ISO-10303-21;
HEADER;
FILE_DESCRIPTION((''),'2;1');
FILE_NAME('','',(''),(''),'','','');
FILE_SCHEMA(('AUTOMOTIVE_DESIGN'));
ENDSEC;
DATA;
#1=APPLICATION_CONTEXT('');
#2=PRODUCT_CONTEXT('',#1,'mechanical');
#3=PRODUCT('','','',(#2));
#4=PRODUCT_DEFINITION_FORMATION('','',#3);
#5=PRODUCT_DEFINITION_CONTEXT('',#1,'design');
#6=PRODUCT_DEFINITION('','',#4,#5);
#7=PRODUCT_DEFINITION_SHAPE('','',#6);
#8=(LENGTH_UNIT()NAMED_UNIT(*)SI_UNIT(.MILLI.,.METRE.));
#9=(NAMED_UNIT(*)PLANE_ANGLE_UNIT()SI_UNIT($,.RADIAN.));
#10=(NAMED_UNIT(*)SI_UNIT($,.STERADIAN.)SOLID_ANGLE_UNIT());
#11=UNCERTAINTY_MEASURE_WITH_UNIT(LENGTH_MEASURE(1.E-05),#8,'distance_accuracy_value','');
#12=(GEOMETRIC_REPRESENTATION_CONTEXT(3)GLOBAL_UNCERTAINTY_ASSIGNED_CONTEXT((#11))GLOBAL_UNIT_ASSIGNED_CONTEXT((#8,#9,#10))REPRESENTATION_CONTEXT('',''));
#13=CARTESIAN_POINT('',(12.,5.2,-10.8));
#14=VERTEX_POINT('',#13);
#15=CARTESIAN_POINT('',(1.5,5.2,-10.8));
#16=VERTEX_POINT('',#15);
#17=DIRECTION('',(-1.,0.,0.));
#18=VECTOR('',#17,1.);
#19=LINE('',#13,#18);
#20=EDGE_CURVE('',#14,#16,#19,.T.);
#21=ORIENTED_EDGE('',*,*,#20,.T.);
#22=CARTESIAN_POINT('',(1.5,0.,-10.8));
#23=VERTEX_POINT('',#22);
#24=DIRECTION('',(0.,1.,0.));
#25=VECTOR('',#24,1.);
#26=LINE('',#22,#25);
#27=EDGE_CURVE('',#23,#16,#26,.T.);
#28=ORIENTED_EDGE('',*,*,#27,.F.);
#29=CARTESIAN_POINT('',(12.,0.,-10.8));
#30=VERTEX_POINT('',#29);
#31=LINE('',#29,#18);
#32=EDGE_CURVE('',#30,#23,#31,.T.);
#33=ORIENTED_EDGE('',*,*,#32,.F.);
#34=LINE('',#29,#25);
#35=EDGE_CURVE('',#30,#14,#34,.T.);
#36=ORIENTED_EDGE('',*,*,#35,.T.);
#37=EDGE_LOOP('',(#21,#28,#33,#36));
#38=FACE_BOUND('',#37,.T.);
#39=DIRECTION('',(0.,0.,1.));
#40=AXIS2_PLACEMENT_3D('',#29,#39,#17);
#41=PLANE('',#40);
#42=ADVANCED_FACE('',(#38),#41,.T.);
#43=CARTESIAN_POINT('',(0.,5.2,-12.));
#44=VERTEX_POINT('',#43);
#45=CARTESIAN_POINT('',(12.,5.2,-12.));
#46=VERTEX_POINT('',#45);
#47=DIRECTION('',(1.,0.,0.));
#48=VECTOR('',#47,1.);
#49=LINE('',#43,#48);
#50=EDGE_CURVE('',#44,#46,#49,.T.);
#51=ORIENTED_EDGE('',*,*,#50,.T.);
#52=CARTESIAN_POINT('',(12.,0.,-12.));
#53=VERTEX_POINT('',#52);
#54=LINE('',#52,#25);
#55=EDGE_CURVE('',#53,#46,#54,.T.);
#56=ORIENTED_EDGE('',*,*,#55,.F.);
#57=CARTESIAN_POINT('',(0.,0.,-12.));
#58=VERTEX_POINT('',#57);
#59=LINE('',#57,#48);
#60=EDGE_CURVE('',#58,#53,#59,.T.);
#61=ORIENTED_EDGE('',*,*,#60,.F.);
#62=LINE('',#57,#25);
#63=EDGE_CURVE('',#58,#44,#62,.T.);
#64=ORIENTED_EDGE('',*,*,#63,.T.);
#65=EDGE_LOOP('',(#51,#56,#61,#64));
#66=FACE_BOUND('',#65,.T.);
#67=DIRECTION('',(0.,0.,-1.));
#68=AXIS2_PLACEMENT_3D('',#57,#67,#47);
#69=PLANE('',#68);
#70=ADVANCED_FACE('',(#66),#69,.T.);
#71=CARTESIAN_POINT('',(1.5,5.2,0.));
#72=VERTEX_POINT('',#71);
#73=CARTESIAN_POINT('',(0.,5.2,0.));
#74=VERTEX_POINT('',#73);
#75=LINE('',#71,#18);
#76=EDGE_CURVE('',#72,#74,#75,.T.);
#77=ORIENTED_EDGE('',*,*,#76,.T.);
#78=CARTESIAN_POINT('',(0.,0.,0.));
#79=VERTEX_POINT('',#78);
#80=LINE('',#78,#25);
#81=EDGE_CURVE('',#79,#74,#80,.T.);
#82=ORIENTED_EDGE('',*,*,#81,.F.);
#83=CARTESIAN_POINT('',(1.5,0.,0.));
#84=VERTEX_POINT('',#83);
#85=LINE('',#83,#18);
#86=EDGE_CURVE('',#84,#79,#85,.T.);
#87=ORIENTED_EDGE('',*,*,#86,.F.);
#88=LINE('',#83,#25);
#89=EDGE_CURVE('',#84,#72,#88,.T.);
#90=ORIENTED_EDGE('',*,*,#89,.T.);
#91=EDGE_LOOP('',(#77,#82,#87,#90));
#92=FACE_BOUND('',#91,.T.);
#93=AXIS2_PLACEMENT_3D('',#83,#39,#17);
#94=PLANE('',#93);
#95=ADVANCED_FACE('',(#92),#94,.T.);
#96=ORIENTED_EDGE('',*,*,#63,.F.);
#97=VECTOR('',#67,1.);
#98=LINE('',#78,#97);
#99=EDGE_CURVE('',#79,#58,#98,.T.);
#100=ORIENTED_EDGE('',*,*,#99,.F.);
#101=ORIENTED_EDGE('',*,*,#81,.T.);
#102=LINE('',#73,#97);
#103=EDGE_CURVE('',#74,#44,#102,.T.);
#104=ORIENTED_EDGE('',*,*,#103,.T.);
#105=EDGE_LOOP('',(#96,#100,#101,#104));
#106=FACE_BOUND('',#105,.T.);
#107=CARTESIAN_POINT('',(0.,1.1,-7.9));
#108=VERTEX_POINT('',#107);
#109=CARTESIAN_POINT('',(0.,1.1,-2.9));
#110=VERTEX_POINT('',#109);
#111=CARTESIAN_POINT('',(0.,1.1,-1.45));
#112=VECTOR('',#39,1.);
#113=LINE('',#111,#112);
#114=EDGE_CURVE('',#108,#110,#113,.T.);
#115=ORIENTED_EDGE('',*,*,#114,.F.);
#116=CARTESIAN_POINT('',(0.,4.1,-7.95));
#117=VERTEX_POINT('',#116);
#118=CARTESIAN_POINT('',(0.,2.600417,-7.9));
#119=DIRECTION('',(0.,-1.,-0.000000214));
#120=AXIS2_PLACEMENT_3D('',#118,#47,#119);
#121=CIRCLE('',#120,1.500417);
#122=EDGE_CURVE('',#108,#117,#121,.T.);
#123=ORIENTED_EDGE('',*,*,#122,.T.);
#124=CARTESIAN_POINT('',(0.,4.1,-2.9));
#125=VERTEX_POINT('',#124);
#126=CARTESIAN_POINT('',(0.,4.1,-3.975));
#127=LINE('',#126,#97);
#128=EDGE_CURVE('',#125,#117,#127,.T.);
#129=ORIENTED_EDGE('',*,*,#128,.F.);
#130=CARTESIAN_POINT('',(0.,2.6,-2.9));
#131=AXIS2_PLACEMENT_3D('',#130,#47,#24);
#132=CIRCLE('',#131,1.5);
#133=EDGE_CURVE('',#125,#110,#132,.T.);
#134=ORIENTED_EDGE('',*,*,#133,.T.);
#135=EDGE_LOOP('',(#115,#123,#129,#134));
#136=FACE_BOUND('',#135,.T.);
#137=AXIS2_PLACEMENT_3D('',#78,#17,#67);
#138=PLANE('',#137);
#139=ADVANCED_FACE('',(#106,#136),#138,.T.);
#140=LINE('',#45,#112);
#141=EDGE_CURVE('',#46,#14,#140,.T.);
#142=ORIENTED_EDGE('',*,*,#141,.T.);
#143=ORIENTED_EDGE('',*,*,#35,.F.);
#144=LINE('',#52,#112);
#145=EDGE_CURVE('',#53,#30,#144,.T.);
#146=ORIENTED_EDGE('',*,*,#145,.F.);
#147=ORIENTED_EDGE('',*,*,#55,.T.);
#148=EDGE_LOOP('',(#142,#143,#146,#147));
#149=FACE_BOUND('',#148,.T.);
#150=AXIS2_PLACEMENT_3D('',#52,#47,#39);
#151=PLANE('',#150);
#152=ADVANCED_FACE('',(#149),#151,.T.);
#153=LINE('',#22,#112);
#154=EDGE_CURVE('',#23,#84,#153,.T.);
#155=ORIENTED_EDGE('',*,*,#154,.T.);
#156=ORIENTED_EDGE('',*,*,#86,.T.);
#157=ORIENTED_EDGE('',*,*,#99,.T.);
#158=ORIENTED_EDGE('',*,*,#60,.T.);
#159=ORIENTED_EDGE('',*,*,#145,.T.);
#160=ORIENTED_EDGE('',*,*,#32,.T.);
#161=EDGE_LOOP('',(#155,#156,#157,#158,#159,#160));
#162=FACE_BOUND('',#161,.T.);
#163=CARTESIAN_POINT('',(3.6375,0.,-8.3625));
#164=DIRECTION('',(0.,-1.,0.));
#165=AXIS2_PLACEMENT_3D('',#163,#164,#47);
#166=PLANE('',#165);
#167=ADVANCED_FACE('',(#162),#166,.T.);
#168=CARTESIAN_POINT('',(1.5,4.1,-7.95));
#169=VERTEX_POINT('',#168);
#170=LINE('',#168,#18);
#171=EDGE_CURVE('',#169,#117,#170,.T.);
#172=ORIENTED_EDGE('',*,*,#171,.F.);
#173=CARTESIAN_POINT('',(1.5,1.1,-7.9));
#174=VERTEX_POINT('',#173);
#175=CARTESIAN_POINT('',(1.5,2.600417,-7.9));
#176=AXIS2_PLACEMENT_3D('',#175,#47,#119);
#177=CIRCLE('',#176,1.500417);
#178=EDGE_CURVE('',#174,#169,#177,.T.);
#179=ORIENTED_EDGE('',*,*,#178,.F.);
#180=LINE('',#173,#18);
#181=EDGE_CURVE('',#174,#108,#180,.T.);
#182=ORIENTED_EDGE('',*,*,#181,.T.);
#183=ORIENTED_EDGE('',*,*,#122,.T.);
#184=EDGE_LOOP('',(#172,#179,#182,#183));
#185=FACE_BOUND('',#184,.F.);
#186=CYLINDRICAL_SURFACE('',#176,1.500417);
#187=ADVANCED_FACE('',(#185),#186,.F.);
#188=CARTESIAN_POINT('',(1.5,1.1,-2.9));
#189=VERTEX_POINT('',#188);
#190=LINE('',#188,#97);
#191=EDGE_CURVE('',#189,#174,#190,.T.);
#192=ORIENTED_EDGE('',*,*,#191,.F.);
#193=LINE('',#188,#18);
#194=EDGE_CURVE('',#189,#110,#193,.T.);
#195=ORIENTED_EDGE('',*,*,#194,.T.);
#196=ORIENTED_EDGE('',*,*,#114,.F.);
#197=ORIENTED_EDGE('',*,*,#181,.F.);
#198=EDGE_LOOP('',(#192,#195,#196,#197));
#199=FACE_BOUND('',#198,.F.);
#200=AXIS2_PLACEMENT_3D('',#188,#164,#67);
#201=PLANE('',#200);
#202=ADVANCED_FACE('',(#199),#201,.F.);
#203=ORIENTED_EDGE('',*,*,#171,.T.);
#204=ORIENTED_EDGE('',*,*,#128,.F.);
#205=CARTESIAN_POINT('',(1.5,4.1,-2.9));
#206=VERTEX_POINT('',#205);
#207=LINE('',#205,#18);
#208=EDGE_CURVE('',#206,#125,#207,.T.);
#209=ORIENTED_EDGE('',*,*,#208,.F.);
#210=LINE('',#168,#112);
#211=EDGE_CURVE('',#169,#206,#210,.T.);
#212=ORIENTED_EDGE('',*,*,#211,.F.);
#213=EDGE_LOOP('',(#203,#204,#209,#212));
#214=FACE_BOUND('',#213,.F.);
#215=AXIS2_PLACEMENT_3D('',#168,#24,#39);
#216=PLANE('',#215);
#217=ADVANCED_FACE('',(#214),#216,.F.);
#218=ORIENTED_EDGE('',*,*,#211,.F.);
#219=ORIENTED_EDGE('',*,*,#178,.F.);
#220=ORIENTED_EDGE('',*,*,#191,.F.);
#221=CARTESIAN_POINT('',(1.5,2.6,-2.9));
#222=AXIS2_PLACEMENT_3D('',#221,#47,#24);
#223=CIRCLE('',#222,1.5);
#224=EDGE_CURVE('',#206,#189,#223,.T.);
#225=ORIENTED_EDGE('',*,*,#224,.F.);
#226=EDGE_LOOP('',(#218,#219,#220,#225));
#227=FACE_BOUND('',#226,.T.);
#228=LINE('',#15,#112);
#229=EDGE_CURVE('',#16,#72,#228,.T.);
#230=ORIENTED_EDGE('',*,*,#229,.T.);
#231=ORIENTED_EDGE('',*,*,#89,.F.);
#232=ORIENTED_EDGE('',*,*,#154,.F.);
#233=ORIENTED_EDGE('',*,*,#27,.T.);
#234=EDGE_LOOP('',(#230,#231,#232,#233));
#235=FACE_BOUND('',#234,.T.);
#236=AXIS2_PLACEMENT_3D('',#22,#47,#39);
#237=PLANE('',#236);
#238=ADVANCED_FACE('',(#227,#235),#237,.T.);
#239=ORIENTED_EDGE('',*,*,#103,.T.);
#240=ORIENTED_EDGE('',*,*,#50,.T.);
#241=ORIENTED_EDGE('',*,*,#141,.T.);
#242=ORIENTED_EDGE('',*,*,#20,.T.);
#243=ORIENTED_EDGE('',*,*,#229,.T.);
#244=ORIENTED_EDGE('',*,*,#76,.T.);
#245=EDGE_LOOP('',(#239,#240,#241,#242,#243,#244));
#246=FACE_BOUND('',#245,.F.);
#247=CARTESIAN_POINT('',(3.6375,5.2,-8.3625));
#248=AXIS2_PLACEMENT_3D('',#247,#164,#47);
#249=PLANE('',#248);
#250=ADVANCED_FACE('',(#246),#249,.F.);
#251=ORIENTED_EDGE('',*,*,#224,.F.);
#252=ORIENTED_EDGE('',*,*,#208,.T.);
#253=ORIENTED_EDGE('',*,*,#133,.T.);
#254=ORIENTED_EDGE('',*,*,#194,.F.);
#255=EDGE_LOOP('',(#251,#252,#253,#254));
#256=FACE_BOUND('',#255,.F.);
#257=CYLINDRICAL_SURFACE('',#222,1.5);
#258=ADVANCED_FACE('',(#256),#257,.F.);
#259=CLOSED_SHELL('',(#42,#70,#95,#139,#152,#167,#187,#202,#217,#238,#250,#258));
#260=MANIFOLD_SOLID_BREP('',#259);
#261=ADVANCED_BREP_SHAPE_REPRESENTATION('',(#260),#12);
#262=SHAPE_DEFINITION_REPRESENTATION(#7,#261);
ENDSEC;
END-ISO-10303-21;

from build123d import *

# Parameters (mm, degrees)
F1_DEPTH = 5.2
F3_DEPTH = 25.4


with BuildPart() as f1:
    # F0 (on Front) → F1 (new body)
    with BuildSketch(Plane.XZ):
        Polygon((1.5, 0), (0, 0), (0, -12), (12, -12), (12, -10.8), (1.5, -10.8), align=None)
    extrude(amount=-F1_DEPTH)

    # F2 (on face) → F3 (cut)
    with BuildSketch(Plane.YZ.offset(1.5)):
        with BuildLine():
            Line((1.1, -2.9), (1.1, -7.9))
            ThreePointArc((1.1, -7.9), (2.575413, -9.400208), (4.1, -7.95))
            Line((4.1, -7.95), (4.1, -2.9))
            ThreePointArc((4.1, -2.9), (2.6, -1.4), (1.1, -2.9))
        make_face()
    extrude(amount=-F3_DEPTH, mode=Mode.SUBTRACT)


solid = f1.part
